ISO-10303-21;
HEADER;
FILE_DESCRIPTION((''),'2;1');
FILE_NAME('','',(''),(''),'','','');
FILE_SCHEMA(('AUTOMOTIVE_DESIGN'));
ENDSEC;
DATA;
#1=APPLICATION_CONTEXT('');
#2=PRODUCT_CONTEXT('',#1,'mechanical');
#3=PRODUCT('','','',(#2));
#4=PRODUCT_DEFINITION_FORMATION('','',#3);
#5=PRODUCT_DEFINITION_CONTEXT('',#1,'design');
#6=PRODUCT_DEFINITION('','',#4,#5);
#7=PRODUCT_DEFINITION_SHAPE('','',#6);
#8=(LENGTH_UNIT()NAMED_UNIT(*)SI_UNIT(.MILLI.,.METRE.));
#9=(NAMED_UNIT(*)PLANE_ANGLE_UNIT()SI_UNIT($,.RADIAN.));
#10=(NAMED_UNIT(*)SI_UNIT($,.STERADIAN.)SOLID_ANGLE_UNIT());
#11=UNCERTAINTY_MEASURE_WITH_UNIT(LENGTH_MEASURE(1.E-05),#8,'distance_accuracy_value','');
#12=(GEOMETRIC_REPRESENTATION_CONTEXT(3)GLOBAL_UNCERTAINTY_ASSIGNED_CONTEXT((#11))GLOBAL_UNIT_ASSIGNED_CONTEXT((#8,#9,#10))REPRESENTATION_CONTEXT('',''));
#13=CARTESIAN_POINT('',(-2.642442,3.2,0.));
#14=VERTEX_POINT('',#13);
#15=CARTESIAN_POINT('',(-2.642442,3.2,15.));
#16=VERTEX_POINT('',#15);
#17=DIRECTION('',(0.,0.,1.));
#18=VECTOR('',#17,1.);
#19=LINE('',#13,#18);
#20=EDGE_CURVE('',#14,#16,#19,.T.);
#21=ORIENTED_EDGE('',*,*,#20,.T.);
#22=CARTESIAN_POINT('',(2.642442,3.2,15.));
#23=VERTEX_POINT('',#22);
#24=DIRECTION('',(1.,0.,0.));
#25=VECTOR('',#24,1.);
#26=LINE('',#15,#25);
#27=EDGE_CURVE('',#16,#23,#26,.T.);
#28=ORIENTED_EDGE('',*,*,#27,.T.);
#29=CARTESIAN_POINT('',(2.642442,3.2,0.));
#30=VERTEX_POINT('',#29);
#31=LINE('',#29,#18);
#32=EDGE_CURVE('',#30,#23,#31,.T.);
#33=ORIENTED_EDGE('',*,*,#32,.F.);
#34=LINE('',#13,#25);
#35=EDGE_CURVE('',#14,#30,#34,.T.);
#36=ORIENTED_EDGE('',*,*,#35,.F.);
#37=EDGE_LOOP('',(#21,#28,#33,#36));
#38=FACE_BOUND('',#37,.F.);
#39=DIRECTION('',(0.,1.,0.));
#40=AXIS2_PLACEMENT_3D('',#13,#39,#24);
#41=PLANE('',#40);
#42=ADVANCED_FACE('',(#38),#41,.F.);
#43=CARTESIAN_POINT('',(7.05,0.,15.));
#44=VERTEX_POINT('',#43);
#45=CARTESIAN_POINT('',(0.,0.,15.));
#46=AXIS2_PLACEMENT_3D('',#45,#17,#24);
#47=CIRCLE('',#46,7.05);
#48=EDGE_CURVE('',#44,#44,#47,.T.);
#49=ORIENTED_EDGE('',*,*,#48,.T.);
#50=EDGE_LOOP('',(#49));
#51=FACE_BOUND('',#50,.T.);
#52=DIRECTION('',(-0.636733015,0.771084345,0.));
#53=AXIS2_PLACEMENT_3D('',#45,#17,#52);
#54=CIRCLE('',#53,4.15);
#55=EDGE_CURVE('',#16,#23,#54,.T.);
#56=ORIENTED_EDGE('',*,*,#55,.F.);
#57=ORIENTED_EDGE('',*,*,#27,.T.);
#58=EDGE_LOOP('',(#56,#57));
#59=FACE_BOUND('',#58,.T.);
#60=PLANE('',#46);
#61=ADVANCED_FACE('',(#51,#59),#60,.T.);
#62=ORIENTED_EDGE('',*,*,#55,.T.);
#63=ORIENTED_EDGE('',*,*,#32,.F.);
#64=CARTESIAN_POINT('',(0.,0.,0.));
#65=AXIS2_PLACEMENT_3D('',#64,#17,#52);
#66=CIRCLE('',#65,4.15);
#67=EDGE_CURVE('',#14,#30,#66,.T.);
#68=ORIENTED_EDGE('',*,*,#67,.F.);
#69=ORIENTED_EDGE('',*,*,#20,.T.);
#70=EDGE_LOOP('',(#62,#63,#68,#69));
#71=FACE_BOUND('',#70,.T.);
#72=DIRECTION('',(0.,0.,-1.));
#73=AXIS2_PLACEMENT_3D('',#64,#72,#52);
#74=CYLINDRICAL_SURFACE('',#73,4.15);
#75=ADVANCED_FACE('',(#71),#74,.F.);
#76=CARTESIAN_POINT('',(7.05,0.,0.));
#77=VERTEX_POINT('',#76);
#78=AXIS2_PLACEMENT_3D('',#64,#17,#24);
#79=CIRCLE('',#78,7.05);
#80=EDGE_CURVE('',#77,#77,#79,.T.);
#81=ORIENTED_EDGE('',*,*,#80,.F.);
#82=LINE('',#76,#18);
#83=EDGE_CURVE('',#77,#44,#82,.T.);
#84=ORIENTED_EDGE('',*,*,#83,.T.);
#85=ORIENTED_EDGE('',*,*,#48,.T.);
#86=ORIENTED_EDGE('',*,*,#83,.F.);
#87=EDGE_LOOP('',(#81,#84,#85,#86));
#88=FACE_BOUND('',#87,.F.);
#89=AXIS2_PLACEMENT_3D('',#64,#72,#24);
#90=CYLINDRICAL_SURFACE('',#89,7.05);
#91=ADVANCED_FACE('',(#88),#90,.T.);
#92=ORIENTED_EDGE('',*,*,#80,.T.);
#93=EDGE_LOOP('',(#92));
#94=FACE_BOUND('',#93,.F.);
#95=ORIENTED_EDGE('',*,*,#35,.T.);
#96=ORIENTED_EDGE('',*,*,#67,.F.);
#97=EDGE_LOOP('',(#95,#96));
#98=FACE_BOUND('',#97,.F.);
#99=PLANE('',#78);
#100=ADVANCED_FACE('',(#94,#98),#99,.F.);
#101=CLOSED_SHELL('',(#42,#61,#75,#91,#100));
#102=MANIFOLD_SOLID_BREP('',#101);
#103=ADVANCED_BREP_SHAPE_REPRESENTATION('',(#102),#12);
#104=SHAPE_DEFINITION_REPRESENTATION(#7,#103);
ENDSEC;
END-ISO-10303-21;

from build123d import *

# Parameters (mm, degrees)
SKETCH_R  = 7.05
PAD_DEPTH = 15


with BuildPart() as part:
    # Sketch → Pad (new body)
    with BuildSketch(Plane.XY):
        Circle(SKETCH_R)
        with BuildLine():
            ThreePointArc((-2.642442, 3.2), (0, -4.15), (2.642442, 3.2))
            Line((-2.642442, 3.2), (2.642442, 3.2))
        make_face(mode=Mode.SUBTRACT)
    extrude(amount=PAD_DEPTH)


solid = part.part
